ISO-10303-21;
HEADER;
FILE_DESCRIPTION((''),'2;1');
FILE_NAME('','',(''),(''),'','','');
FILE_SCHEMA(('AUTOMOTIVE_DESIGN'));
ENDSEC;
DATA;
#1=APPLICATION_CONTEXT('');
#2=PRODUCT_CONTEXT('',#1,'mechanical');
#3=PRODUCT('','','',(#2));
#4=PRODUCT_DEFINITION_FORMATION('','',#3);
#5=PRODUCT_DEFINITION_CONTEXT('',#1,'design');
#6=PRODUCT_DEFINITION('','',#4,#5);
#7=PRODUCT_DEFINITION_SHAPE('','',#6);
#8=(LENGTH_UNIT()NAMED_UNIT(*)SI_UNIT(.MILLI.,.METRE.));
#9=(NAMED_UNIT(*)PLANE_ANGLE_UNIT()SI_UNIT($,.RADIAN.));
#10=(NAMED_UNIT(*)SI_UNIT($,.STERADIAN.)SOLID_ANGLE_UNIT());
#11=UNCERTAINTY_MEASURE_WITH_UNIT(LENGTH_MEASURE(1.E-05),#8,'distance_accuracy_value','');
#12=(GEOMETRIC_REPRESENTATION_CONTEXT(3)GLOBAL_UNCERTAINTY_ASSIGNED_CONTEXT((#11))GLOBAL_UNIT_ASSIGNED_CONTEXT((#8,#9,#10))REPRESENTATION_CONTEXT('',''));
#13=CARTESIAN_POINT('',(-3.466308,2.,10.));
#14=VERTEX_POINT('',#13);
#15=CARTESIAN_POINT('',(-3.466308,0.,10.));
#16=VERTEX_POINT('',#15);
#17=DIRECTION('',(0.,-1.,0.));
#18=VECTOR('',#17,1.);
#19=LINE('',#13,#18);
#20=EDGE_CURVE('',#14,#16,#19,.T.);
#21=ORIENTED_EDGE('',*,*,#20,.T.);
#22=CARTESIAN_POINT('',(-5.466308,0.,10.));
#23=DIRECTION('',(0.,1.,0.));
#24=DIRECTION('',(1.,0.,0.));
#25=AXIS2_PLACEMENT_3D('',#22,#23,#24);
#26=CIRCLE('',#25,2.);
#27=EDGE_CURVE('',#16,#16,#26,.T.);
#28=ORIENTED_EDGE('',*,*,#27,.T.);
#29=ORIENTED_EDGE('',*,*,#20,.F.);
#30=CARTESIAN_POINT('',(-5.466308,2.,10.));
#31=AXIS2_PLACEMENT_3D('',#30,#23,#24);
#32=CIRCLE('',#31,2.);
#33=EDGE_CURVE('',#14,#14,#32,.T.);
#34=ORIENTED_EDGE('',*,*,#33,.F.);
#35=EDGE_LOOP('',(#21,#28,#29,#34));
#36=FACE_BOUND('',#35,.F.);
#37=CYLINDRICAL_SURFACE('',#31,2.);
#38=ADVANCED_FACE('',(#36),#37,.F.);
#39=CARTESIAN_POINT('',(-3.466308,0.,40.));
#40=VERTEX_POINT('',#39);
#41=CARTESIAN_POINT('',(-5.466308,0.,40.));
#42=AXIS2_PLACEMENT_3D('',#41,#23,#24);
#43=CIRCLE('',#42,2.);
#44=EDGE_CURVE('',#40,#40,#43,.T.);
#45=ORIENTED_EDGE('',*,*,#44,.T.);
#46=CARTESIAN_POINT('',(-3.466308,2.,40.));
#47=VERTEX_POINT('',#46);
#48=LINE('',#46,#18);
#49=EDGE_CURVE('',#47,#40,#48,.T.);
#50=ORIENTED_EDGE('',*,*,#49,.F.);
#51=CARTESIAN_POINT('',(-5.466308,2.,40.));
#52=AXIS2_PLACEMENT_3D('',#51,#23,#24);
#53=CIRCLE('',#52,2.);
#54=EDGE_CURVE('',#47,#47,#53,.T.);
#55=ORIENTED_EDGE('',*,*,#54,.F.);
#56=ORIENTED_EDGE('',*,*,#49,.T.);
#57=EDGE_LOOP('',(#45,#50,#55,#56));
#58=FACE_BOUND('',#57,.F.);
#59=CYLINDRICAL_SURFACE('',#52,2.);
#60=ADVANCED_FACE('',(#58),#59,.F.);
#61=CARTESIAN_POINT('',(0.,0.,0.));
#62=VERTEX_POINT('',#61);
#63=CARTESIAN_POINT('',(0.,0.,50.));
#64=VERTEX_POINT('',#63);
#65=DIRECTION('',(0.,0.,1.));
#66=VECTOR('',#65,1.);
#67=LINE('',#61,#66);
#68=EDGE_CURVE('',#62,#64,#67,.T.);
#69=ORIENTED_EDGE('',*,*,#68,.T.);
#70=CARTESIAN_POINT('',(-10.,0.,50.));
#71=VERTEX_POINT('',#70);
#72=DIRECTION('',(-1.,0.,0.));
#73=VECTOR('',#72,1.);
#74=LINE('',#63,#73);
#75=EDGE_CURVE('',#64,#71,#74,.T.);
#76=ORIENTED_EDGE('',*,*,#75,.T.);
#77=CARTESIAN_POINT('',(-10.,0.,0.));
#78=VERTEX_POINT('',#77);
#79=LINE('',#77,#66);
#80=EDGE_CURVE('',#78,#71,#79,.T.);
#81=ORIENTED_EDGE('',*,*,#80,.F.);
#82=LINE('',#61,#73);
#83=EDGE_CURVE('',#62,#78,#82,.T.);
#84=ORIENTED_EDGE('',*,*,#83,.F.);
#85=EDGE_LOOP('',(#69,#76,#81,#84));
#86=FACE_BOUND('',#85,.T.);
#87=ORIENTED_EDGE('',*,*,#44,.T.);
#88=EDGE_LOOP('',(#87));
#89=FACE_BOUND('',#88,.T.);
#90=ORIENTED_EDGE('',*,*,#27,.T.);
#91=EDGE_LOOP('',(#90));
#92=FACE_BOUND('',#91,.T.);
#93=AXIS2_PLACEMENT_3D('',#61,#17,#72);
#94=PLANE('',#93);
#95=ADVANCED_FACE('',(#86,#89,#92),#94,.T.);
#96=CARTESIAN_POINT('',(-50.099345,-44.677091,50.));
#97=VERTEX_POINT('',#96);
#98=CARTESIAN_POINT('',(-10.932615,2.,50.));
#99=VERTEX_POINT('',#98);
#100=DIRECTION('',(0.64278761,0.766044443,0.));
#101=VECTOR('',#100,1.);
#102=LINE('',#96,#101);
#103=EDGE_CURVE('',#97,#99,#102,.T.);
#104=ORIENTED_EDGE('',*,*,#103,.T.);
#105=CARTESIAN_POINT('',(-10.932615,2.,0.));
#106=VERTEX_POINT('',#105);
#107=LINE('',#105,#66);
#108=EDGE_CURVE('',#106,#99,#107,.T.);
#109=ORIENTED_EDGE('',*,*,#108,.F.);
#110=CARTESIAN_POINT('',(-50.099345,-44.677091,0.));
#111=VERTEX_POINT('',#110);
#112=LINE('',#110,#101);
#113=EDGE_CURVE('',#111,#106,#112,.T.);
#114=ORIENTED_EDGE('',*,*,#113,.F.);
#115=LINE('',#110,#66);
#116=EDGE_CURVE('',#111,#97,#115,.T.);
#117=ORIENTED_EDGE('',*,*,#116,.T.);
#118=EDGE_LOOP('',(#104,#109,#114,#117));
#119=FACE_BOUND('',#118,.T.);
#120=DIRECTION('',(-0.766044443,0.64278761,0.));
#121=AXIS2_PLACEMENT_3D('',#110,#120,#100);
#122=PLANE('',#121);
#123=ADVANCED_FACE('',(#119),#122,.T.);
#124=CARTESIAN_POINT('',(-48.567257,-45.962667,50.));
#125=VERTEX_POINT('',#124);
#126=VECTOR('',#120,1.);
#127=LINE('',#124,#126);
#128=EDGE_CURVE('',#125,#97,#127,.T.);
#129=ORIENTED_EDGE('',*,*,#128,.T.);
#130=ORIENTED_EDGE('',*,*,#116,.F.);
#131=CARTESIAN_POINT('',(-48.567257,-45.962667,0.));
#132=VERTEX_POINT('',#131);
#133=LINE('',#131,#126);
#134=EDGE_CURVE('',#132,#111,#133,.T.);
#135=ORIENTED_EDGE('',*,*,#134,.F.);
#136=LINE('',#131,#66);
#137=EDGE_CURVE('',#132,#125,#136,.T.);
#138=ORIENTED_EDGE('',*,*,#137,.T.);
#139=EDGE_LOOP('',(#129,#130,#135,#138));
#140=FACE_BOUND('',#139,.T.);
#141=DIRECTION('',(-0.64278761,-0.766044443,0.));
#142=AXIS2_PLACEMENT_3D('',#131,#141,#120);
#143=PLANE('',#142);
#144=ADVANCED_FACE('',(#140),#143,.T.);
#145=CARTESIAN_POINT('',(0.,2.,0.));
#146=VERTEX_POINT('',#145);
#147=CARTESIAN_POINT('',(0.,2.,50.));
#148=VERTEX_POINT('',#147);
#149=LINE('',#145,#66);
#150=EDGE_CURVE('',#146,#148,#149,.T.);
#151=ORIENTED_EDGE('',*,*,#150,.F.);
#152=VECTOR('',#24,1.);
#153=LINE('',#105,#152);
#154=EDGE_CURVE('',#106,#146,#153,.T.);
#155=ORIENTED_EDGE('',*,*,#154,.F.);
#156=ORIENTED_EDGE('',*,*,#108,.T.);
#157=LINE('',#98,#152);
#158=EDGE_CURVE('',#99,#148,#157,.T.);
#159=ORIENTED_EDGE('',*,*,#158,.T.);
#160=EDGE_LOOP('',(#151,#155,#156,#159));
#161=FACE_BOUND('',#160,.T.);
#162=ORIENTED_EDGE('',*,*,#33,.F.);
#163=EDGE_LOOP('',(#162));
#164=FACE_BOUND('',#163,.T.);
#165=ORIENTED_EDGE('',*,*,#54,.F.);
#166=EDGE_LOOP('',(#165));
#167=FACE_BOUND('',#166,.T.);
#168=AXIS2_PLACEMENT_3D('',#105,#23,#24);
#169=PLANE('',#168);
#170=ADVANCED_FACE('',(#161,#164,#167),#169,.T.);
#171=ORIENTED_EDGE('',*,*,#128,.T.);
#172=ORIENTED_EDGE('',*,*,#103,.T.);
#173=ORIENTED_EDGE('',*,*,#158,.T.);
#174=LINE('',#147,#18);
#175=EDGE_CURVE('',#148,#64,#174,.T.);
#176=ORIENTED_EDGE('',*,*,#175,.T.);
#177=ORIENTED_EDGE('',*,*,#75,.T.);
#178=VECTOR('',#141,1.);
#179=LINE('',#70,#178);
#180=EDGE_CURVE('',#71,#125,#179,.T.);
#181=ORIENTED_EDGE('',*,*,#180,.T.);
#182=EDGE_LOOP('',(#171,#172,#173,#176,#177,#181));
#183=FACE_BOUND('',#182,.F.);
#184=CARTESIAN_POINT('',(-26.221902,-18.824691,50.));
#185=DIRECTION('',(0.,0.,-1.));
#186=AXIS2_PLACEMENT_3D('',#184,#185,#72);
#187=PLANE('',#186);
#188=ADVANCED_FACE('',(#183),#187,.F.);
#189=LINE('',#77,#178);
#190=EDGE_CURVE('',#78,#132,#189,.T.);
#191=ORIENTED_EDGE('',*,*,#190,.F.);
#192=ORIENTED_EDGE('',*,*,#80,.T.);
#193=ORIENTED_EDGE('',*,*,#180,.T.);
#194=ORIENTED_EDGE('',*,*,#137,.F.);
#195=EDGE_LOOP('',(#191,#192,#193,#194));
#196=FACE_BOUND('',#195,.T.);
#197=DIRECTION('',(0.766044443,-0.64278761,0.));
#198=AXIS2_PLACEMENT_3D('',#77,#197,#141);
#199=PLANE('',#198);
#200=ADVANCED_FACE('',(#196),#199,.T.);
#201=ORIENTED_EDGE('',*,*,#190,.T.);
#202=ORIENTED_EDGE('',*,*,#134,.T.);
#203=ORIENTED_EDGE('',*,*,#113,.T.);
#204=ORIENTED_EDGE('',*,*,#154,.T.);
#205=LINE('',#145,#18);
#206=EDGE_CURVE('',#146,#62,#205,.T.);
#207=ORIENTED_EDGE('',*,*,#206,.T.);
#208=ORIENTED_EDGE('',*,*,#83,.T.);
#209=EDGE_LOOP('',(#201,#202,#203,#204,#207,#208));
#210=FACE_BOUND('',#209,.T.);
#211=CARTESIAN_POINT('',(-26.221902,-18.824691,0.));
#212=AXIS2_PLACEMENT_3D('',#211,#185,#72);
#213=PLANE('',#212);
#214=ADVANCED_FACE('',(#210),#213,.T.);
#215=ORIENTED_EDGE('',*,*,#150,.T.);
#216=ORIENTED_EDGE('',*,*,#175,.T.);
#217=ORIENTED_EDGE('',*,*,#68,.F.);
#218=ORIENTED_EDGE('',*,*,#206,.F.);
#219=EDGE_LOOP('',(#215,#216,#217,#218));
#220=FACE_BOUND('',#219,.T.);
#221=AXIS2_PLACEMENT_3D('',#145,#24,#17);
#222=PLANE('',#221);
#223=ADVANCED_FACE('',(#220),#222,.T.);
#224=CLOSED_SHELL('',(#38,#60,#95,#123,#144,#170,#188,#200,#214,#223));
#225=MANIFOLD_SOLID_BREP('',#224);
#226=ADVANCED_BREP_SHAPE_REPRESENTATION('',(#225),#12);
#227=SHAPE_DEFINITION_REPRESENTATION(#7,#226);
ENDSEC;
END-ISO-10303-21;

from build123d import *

# Parameters (mm, degrees)
BOSS_EXTRUDE1_DEPTH = 50
CUT_EXTRUDE1_REACH  = 49.963
SKETCH2_R           = 2


with BuildPart() as part:
    # Sketch1 → Boss-Extrude1 (new body)
    with BuildSketch(Plane.XY):
        Polygon((0, 0), (-10, 0), (-48.567256581, -45.962666587), (-50.099345467, -44.677091368), (-10.932615316, 2), (0, 2), align=None)
    extrude(amount=BOSS_EXTRUDE1_DEPTH)

    # Sketch2 → Cut-Extrude1 (cut, up to next)
    with BuildSketch(Plane(origin=(0, 2, 0), x_dir=(1, 0, 0), z_dir=(0, 1, 0)), mode=Mode.PRIVATE) as cut_extrude1_sk1:
        with Locations((-5.466307658, -10)):
            Circle(SKETCH2_R)
    cut_extrude1_tool1 = extrude(cut_extrude1_sk1.sketch, amount=-CUT_EXTRUDE1_REACH, mode=Mode.PRIVATE) & part.part
    add(cut_extrude1_tool1.solids().sort_by_distance((-5.466308, 2, 10))[0], mode=Mode.SUBTRACT)
    # Sketch2 → Cut-Extrude1 (cut, up to next)
    with BuildSketch(Plane(origin=(0, 2, 0), x_dir=(1, 0, 0), z_dir=(0, 1, 0)), mode=Mode.PRIVATE) as cut_extrude1_sk2:
        with Locations((-5.466307658, -40)):
            Circle(SKETCH2_R)
    cut_extrude1_tool2 = extrude(cut_extrude1_sk2.sketch, amount=-CUT_EXTRUDE1_REACH, mode=Mode.PRIVATE) & part.part
    add(cut_extrude1_tool2.solids().sort_by_distance((-5.466308, 2, 40))[0], mode=Mode.SUBTRACT)


solid = part.part
